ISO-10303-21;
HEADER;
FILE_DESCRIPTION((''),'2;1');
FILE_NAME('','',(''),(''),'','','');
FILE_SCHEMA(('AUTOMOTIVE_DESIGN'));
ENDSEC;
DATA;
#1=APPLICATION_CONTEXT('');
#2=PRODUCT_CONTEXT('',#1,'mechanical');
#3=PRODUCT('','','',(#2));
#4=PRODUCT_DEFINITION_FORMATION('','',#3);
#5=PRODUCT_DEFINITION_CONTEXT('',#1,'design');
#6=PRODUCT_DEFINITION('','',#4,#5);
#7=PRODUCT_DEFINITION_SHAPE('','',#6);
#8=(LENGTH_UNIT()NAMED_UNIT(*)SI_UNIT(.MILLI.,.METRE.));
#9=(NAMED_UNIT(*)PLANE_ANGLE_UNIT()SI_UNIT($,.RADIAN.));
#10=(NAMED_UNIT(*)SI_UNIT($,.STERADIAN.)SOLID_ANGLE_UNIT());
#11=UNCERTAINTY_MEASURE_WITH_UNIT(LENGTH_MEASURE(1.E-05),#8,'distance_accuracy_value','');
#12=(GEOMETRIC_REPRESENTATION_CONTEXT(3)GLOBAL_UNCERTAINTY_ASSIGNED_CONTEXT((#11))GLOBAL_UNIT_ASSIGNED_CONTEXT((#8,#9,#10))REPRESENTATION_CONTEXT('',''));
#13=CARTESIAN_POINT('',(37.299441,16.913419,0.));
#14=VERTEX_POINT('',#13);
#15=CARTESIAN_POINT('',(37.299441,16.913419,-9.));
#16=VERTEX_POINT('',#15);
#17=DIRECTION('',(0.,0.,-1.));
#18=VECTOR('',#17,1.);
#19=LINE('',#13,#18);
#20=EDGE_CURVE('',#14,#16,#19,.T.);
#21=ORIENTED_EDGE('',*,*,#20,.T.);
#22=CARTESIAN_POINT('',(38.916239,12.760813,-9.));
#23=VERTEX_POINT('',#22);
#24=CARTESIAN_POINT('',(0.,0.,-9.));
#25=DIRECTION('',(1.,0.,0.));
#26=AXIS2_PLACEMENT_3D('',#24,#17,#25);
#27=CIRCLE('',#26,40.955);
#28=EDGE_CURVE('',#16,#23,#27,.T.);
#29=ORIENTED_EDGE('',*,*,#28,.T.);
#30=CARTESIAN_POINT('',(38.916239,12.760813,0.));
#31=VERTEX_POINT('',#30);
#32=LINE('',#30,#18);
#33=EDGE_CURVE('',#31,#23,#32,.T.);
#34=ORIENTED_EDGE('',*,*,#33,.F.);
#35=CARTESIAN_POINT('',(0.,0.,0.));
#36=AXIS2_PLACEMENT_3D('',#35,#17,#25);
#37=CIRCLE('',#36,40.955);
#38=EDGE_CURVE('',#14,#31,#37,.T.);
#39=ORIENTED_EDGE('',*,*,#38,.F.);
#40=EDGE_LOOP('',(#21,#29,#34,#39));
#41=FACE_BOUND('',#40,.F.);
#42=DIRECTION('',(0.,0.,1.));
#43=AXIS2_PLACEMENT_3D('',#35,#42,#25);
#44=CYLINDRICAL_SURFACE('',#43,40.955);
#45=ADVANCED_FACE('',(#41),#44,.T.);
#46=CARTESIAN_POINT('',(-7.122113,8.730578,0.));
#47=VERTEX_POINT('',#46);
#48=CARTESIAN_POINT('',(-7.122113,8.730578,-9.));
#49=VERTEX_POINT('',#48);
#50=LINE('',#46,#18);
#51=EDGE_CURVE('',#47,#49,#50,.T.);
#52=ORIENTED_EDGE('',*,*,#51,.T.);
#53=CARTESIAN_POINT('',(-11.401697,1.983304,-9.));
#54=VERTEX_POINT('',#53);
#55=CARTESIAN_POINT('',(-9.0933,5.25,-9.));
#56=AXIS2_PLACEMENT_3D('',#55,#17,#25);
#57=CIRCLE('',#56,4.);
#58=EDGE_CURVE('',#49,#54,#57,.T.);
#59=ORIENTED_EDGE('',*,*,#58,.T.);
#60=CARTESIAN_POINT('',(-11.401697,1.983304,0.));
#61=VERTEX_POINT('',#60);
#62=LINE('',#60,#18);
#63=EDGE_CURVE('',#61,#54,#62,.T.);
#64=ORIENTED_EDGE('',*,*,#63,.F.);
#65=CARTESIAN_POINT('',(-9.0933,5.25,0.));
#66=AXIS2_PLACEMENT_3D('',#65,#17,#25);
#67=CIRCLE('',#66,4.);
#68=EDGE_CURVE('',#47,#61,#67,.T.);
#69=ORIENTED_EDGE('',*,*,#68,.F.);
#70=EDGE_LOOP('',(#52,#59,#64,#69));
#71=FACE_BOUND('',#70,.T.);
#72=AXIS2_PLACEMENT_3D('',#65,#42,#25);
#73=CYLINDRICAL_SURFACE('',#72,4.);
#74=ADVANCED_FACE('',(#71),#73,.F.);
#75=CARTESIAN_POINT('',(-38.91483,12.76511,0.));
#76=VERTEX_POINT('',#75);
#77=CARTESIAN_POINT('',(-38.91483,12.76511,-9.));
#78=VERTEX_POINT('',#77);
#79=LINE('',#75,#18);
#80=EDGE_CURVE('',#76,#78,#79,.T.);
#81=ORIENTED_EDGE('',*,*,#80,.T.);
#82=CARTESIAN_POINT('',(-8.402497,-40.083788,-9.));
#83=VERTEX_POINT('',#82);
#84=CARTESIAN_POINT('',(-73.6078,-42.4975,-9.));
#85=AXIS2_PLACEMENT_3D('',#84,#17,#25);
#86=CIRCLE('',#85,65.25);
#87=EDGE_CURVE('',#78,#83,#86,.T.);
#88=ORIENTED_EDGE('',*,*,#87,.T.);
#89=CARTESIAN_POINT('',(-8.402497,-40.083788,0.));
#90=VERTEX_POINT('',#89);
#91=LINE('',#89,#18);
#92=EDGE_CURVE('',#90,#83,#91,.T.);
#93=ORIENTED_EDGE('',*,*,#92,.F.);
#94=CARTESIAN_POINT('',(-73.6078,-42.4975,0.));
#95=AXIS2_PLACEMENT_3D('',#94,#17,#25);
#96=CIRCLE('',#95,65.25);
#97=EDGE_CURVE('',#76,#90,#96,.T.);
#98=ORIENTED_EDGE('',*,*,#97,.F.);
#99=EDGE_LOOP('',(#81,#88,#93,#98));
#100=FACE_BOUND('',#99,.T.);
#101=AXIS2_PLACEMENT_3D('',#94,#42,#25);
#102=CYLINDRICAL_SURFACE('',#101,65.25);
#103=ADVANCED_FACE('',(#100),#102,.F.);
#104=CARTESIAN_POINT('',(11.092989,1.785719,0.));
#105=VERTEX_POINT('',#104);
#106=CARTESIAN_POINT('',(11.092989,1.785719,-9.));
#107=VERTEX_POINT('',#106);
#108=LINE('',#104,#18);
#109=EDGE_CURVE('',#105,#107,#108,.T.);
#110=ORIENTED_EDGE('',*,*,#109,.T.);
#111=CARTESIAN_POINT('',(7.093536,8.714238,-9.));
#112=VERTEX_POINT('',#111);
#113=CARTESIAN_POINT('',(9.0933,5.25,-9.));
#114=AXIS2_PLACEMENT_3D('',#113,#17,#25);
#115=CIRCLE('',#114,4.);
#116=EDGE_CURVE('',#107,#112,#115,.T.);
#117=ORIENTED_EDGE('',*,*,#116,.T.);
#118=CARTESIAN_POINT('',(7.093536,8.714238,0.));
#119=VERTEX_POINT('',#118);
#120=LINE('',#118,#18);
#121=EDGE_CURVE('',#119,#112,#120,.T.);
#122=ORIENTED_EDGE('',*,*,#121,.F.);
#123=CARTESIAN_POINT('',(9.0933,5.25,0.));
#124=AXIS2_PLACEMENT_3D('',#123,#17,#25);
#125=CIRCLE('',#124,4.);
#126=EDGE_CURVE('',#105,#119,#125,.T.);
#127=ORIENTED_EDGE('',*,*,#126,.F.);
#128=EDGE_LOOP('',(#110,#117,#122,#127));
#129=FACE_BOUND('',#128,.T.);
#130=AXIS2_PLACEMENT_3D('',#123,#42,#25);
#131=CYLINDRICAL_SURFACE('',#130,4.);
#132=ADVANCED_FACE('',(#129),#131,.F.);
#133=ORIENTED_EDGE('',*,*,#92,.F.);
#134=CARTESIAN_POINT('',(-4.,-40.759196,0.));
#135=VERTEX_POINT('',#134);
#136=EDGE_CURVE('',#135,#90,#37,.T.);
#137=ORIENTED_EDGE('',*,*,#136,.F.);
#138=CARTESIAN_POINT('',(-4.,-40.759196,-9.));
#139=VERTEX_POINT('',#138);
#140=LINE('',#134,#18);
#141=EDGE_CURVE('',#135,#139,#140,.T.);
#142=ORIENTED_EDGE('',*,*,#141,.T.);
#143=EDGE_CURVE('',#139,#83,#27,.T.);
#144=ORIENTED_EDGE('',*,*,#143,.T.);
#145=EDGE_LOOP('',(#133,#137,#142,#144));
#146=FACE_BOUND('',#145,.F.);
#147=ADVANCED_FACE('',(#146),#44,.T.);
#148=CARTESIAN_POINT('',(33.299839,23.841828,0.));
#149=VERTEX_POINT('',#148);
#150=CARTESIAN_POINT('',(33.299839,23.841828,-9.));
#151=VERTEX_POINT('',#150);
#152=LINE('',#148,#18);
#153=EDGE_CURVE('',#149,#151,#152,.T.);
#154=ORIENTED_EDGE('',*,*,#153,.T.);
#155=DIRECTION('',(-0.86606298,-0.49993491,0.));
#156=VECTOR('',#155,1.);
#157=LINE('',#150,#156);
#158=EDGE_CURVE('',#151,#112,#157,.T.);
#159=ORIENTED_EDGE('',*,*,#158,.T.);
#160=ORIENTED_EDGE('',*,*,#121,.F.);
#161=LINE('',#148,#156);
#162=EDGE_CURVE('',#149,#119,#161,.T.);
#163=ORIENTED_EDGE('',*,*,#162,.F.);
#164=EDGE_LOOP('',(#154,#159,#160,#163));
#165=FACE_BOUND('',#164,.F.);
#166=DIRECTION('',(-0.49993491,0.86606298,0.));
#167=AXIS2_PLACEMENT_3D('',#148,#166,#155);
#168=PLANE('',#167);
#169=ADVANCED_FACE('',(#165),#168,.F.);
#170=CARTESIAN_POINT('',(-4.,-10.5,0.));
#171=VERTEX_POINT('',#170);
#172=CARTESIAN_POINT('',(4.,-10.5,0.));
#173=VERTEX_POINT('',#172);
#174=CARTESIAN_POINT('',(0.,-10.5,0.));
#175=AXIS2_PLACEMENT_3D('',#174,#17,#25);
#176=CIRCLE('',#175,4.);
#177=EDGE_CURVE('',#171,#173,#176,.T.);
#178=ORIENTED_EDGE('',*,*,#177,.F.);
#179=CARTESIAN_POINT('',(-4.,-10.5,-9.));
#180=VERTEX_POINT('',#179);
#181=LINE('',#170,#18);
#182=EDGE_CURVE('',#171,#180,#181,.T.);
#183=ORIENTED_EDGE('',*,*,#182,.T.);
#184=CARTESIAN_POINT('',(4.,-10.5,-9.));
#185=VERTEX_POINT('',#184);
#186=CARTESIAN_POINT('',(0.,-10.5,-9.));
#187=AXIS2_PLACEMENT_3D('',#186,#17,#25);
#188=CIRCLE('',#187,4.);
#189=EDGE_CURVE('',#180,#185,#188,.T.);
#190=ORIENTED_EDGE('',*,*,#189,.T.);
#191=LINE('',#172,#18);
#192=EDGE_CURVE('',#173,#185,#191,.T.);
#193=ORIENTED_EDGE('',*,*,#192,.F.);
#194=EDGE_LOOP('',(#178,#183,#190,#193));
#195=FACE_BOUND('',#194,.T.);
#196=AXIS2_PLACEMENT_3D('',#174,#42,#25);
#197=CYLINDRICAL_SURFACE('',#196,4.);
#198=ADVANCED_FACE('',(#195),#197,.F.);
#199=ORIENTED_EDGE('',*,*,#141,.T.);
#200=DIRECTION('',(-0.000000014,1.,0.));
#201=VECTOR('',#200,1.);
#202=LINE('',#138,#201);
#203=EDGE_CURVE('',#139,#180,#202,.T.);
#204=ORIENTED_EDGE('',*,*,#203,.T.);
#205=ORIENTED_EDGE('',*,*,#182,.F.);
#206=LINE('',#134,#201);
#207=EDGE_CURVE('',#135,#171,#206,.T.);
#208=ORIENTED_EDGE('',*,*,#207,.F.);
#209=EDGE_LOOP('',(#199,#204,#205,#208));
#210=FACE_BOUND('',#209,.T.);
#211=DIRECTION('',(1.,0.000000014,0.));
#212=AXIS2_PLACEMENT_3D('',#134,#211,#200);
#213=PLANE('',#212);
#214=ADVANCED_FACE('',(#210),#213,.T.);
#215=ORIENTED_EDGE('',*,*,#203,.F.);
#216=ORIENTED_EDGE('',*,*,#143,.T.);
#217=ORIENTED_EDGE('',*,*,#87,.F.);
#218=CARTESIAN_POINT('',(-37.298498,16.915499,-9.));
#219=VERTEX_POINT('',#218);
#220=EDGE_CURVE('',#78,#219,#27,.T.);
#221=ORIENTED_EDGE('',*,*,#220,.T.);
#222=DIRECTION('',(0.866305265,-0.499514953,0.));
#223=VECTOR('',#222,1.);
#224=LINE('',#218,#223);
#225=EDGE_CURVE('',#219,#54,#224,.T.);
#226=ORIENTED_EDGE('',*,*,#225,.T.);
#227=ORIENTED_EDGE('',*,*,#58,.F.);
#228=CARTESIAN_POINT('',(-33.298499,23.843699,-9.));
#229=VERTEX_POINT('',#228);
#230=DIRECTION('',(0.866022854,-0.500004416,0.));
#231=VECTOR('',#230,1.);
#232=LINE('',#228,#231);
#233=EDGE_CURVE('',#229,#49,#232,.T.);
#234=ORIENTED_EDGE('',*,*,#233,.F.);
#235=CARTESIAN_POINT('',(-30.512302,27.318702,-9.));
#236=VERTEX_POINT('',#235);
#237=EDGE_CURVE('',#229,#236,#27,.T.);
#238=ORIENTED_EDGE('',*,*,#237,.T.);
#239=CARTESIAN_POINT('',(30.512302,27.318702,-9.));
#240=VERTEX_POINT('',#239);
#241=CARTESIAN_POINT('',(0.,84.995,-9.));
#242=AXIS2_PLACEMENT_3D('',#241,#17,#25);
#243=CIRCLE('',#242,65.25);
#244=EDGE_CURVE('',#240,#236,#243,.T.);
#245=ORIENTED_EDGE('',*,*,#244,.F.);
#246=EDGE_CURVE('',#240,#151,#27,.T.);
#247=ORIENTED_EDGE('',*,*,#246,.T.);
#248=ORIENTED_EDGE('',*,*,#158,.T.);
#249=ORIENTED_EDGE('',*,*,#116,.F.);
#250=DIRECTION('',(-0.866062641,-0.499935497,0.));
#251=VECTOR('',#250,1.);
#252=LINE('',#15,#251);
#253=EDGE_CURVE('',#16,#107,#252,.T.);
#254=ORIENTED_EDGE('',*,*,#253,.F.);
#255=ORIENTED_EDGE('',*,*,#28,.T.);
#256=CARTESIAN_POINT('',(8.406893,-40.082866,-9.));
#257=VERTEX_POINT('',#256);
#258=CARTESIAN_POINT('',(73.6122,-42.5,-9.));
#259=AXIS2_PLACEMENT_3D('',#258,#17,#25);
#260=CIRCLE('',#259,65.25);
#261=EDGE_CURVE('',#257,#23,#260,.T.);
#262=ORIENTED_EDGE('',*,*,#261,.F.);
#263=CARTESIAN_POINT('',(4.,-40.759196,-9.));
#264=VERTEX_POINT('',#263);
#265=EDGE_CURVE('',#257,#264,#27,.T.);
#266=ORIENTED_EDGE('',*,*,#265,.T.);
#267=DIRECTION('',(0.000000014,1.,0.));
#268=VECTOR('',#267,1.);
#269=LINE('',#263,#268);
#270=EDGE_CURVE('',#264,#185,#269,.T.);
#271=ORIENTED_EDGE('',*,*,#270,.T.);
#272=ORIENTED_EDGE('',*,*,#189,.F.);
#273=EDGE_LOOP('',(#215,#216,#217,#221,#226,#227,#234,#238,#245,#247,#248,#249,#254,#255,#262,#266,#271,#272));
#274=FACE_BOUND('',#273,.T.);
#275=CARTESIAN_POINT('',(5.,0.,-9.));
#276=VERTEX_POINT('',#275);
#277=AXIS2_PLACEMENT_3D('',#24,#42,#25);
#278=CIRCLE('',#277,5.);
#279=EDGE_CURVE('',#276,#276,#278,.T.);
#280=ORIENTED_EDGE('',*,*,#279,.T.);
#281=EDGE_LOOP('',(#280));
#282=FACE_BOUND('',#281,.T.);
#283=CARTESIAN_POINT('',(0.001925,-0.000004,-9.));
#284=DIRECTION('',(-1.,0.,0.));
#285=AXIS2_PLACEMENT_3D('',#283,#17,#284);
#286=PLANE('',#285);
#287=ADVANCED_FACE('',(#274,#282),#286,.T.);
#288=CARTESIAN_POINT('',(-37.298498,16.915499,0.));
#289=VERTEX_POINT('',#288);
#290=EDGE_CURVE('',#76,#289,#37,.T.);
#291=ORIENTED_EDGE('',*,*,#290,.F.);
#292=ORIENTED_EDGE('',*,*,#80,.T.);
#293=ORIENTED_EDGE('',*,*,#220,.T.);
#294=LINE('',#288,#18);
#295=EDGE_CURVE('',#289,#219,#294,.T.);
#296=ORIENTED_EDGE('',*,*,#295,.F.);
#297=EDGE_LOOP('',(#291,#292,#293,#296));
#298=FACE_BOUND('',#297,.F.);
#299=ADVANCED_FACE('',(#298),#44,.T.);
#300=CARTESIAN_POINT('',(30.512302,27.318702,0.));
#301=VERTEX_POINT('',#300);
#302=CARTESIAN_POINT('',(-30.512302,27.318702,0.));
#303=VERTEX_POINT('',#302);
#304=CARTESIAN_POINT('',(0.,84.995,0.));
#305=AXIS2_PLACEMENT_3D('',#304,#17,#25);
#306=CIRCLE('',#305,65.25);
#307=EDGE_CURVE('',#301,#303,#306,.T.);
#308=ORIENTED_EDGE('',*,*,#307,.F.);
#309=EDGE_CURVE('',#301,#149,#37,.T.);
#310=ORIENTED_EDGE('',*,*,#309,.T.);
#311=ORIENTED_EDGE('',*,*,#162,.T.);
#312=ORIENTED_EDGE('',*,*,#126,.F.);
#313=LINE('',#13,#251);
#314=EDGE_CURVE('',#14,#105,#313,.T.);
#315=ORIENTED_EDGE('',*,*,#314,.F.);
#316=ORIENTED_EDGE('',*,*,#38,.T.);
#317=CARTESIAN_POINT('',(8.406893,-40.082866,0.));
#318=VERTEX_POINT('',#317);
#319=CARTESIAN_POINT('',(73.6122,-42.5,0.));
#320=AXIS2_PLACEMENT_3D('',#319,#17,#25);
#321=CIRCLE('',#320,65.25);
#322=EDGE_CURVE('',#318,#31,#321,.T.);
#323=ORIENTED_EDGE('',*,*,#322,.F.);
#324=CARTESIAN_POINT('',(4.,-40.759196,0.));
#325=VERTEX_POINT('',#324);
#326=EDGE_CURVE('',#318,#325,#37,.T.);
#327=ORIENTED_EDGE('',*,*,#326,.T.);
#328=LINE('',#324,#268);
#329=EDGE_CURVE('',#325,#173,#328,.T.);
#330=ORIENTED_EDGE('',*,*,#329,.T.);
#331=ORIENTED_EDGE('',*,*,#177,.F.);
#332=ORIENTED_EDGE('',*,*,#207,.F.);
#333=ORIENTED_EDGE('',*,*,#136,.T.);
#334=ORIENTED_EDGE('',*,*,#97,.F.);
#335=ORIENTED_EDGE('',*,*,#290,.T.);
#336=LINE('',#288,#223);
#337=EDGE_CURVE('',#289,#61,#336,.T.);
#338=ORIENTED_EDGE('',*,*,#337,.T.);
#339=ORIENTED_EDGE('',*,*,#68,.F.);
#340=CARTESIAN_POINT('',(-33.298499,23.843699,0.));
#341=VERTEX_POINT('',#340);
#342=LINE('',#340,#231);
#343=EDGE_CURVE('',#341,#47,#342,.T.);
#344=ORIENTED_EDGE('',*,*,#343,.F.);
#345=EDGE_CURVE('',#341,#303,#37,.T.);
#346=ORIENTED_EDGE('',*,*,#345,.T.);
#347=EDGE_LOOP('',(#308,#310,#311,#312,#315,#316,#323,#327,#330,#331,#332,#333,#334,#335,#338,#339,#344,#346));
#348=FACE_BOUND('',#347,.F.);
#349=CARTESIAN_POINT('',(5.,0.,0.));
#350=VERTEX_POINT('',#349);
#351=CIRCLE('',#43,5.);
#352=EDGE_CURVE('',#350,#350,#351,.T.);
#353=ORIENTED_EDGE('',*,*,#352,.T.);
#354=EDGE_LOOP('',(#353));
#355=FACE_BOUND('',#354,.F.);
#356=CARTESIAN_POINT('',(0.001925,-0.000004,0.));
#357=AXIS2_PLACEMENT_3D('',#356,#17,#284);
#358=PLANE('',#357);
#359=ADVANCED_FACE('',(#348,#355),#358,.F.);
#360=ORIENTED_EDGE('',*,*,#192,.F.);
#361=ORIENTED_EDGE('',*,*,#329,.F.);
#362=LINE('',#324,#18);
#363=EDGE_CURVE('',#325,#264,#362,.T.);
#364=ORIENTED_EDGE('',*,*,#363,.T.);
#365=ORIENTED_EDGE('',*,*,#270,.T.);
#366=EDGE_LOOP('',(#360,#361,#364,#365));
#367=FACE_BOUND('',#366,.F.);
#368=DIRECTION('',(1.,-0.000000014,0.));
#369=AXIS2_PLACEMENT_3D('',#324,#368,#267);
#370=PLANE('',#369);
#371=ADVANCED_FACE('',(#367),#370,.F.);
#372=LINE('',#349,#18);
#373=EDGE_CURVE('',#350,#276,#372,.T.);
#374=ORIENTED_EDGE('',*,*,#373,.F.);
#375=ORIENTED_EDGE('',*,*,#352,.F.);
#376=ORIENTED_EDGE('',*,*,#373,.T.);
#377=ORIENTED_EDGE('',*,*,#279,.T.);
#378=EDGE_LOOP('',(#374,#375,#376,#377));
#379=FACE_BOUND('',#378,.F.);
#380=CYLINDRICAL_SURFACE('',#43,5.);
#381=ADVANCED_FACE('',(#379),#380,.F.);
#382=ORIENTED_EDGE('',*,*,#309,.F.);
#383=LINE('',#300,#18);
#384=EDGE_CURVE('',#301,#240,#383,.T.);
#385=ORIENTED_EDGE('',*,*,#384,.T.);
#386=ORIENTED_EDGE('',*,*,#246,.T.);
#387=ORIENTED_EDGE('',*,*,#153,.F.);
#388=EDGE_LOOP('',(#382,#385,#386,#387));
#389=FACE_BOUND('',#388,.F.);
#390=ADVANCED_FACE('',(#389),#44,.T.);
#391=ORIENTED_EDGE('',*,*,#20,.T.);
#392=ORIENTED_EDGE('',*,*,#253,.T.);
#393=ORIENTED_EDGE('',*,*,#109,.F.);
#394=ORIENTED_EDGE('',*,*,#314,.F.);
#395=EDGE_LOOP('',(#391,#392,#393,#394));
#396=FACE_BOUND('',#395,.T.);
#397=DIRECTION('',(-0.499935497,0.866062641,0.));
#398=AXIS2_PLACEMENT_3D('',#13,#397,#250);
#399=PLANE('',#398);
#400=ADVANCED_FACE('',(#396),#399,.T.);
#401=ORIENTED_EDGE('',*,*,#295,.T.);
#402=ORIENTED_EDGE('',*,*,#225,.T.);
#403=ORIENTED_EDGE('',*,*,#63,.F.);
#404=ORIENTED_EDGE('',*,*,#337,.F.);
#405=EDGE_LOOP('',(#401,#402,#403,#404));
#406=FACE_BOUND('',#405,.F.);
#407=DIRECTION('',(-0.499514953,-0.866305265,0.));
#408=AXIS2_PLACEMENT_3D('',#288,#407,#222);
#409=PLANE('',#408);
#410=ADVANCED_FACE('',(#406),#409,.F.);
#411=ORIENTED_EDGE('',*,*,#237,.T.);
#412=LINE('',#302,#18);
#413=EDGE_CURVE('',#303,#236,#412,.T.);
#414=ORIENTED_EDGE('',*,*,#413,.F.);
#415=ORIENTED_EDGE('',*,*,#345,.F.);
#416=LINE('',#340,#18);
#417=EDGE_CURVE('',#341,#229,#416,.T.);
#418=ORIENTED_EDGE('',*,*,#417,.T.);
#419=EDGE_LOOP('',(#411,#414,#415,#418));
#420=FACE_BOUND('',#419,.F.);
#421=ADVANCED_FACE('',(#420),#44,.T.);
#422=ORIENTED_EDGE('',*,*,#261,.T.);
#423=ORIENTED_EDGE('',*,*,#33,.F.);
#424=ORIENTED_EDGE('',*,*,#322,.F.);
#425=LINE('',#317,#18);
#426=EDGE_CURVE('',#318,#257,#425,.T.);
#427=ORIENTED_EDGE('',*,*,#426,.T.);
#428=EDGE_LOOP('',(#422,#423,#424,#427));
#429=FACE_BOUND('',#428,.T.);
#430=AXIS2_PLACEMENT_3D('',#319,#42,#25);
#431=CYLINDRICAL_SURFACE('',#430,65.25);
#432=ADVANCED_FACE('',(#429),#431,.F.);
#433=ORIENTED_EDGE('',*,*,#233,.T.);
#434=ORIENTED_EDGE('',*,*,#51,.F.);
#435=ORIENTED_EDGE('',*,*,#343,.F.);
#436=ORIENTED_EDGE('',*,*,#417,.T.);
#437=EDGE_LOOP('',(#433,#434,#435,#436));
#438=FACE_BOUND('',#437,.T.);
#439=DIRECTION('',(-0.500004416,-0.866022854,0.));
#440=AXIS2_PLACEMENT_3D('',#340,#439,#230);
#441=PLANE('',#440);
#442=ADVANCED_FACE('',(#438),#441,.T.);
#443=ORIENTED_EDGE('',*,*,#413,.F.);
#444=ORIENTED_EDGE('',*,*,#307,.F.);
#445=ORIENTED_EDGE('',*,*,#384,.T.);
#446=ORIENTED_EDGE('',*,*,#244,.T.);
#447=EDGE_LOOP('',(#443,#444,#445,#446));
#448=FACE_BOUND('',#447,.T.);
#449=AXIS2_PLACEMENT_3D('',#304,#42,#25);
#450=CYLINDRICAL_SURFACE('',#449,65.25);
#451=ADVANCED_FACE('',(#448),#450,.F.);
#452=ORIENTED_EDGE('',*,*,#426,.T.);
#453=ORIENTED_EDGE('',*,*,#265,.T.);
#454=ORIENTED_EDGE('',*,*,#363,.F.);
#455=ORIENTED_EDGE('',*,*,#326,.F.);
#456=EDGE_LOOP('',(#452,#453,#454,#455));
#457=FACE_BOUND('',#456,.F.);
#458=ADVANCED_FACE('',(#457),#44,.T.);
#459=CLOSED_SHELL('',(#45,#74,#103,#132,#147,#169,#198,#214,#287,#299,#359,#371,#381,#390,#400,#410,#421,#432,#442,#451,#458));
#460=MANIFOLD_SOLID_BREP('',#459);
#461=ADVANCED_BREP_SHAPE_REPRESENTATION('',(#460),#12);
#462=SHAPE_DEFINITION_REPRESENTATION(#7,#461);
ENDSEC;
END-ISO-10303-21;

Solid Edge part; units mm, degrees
sketch "Sketch1" plane through (0, 0, 0) normal (0, 0, 1) x (1, 0, 0)
  arc A0 (37.2994, 16.9134) -> (38.9162, 12.7608) centre (0, 0) cw
  line L0 (37.2994, 16.9134) -> (11.093, 1.7857)
  line L1 (33.2998, 23.8418) -> (7.0935, 8.7143)
  arc A1 (-33.2985, 23.8437) -> (-30.5123, 27.3187) centre (0, 0) cw
  line L2 (-33.2985, 23.8437) -> (-7.1221, 8.7306)
  line L3 (-37.2985, 16.9155) -> (-11.4017, 1.9833)
  arc A2 (-38.9148, 12.7651) -> (-37.2985, 16.9155) centre (0, 0) cw
  arc A3 (-4, -40.7592) -> (-8.4025, -40.0838) centre (0, 0) cw
  line L4 (-4, -40.7592) -> (-4, -10.5)
  line L5 (4, -40.7592) -> (4, -10.5)
  arc A4 (8.4069, -40.0829) -> (4, -40.7592) centre (0, 0) cw
  arc A5 (8.407, -40.0829) -> (38.9162, 12.7608) centre (73.6122, -42.5) cw
  arc A6 (11.093, 1.7857) -> (7.0935, 8.7142) centre (9.0933, 5.25) cw
  arc A7 (30.5123, 27.3187) -> (33.2998, 23.8418) centre (0, 0) cw
  arc A8 (30.5123, 27.3187) -> (-30.5123, 27.3187) centre (0, 84.995) cw
  arc A9 (-7.1221, 8.7306) -> (-11.4017, 1.9833) centre (-9.0933, 5.25) cw
  arc A10 (-38.9148, 12.7651) -> (-8.4025, -40.0838) centre (-73.6078, -42.4975) cw
  arc A11 (-4, -10.5) -> (4, -10.5) centre (0, -10.5) cw
extrude "Protrusion1" add sketch "Sketch1" against normal blind 9
sketch "Sketch2" plane through (0, 0, 0) normal (0, 0, 1) x (1, 0, 0)
  circle A0 centre (0, 0) radius 5
extrude "ExtrudedCutout_1" cut sketch "Sketch2" along normal mid plane 312.1843
